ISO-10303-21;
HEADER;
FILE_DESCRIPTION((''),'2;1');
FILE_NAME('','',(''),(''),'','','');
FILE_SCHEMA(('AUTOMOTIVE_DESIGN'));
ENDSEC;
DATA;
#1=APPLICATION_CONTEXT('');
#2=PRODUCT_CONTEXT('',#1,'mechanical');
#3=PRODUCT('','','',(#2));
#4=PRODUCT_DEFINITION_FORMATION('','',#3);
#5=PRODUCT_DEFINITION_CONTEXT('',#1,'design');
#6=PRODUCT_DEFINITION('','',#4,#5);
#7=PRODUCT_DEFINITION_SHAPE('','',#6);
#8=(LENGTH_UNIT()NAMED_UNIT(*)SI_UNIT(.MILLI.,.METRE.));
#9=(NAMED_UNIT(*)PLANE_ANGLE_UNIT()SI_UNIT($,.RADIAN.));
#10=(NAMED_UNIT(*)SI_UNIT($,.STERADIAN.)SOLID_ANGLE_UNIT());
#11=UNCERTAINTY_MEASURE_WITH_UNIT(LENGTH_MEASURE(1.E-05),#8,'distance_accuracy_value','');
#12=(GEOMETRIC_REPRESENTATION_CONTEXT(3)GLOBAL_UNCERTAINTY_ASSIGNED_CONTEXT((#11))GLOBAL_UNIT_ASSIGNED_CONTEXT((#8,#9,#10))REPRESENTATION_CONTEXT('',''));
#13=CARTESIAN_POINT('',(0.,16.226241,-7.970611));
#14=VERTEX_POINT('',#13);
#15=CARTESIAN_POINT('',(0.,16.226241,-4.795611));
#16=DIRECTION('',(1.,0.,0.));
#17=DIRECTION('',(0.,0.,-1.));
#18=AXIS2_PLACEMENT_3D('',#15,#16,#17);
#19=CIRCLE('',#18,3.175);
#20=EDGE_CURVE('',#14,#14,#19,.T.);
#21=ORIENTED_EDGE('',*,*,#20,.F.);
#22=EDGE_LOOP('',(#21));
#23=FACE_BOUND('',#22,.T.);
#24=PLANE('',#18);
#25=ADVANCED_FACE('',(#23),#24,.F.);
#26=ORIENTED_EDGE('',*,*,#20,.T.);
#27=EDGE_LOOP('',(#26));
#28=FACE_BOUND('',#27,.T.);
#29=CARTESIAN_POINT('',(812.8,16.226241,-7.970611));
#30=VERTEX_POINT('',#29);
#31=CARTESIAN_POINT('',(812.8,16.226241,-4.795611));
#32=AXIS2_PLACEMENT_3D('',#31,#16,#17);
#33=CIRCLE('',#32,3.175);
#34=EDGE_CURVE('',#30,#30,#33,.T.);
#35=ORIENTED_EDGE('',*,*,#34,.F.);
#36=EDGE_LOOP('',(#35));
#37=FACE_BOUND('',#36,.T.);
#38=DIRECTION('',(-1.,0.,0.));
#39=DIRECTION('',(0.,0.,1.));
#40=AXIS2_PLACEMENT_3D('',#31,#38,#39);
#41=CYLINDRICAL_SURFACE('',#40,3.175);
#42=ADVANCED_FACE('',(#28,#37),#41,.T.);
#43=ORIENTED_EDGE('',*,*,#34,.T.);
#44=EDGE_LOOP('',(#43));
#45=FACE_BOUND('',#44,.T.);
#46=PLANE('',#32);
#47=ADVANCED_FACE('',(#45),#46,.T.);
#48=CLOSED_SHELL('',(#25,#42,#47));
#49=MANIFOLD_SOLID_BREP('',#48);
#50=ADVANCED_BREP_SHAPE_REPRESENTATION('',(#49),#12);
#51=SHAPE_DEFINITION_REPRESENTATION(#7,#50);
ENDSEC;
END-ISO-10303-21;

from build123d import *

# Parameters (mm, degrees)
SKETCH1_R           = 3.175
BOSS_EXTRUDE1_DEPTH = 812.8


with BuildPart() as part:
    # Sketch1 → Boss-Extrude1 (new body)
    with BuildSketch(Plane(origin=(0, 0, 0), x_dir=(0, 0, -1), z_dir=(1, 0, 0))):
        with Locations((4.795611117, 16.226241471)):
            Circle(SKETCH1_R)
    extrude(amount=BOSS_EXTRUDE1_DEPTH)


solid = part.part
